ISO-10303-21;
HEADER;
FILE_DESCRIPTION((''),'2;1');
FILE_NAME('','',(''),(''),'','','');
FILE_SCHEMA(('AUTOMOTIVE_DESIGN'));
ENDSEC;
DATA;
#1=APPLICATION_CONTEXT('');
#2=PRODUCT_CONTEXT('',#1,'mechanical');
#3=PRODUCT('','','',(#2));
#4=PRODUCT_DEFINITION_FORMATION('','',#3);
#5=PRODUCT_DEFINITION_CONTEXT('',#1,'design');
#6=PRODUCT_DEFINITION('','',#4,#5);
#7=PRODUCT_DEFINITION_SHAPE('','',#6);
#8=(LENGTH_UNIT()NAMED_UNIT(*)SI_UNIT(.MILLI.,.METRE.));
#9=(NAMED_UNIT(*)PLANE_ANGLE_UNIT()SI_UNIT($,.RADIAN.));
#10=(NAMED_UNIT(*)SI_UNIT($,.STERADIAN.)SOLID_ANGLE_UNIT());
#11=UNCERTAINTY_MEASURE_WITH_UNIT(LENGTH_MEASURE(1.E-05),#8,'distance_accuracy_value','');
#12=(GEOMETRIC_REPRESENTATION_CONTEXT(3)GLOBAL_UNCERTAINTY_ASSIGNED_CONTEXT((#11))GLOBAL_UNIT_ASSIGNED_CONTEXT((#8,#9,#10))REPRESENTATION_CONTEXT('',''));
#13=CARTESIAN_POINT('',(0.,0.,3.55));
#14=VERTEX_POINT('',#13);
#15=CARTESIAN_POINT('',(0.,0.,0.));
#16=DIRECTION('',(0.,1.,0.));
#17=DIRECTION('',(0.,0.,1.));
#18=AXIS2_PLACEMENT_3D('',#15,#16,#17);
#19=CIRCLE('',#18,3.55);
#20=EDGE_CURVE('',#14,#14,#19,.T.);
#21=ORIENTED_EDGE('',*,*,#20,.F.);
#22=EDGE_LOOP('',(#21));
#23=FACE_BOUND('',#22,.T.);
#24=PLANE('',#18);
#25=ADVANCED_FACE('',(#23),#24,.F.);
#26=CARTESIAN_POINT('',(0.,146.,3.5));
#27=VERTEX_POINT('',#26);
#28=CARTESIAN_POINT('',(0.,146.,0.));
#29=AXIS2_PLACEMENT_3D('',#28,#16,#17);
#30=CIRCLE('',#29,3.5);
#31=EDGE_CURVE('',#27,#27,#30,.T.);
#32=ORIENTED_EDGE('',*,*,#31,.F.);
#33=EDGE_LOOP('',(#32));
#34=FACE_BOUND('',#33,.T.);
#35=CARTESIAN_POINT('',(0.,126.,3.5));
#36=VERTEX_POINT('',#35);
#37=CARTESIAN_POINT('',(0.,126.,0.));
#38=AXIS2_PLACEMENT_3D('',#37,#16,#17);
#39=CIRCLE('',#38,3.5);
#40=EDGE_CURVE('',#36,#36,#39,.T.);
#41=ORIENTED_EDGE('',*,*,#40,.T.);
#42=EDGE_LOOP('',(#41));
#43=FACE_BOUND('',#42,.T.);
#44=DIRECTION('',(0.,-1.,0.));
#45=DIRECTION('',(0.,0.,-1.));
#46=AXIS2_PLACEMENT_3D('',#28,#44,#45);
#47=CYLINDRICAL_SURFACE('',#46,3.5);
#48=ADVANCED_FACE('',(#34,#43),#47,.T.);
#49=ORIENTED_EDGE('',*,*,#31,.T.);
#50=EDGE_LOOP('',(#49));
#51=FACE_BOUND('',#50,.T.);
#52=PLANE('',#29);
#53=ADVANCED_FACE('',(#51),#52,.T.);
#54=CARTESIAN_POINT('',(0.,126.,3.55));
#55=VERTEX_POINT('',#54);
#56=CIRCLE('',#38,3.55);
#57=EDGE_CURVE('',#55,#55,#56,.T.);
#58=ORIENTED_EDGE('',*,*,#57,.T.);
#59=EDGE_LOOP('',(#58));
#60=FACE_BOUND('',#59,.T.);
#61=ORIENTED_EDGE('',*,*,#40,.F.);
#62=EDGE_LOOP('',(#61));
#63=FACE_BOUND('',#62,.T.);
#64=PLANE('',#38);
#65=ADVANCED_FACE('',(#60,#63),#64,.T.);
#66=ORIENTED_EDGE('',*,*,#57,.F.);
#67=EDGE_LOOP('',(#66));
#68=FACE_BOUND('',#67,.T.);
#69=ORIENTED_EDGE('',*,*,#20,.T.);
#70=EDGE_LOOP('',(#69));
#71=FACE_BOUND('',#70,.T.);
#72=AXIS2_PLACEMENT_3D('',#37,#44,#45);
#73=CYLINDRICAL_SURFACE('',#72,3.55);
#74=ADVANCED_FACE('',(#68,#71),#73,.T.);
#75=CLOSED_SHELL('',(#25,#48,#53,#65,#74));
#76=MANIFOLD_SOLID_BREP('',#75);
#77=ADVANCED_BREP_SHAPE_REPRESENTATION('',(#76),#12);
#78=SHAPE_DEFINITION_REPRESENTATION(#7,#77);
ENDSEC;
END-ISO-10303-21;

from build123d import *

# Parameters (mm, degrees)
SKETCH1_R      = 3.55
EXTRUDE1_DEPTH = 126
SKETCH2_R      = 3.5
EXTRUDE2_DEPTH = 20


with BuildPart() as part:
    # Sketch1 → Extrude1 (new body)
    with BuildSketch(Plane(origin=(0, 0, 0), x_dir=(1, 0, 0), z_dir=(0, 1, 0))):
        Circle(SKETCH1_R)
    extrude(amount=EXTRUDE1_DEPTH)

    # Sketch2 → Extrude2 (add)
    with BuildSketch(Plane(origin=(0, 126, 0), x_dir=(1, 0, 0), z_dir=(0, 1, 0))):
        Circle(SKETCH2_R)
    extrude(amount=EXTRUDE2_DEPTH)


solid = part.part
